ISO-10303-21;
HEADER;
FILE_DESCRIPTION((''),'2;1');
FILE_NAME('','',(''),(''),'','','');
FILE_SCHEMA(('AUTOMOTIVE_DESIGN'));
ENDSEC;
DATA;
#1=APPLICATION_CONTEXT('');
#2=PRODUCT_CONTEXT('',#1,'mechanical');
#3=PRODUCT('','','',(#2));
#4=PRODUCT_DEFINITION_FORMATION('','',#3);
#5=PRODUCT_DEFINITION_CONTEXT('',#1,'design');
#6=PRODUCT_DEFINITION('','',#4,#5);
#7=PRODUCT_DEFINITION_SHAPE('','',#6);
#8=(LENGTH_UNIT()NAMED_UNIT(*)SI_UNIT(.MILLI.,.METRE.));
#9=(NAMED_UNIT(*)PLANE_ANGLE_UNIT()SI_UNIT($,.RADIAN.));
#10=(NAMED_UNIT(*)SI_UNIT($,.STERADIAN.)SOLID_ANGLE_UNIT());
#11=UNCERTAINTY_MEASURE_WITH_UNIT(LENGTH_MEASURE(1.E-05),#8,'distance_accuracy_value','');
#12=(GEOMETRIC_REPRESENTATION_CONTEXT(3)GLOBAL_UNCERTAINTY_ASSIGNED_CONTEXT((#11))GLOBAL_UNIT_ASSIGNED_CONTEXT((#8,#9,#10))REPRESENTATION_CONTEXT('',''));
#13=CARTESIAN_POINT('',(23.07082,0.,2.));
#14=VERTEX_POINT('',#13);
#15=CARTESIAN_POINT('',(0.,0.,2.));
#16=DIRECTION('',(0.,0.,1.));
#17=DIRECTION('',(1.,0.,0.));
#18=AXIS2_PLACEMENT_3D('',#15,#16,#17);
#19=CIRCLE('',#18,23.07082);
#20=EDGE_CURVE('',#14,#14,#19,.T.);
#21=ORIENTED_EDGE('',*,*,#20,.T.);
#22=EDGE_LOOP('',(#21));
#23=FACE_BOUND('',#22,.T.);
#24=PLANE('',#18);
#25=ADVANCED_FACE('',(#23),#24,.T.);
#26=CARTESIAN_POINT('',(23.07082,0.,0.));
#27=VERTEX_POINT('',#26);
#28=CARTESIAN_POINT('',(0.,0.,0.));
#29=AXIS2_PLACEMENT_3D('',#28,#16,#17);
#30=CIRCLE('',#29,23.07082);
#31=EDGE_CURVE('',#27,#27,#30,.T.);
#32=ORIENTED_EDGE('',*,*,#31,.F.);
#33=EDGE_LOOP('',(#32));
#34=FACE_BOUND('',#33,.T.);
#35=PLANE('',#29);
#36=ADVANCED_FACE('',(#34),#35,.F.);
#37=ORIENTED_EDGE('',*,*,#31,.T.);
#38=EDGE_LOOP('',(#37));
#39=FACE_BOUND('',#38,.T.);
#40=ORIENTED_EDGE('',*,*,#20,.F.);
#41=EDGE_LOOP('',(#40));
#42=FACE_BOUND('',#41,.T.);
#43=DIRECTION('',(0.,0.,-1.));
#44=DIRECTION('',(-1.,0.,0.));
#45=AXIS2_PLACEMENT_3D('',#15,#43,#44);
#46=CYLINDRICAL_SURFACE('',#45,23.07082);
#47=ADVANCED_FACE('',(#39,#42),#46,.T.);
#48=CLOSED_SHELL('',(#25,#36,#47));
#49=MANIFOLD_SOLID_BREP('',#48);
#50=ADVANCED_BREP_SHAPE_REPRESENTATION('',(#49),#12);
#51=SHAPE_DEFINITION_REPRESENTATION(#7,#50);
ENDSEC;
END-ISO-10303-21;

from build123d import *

# Parameters (mm, degrees)
SKETCH1_R      = 23.07082
EXTRUDE1_DEPTH = 2.000000064


with BuildPart() as part:
    # Sketch1 → Extrude1 (new body)
    with BuildSketch(Plane.XY):
        Circle(SKETCH1_R)
    extrude(amount=EXTRUDE1_DEPTH)


solid = part.part
